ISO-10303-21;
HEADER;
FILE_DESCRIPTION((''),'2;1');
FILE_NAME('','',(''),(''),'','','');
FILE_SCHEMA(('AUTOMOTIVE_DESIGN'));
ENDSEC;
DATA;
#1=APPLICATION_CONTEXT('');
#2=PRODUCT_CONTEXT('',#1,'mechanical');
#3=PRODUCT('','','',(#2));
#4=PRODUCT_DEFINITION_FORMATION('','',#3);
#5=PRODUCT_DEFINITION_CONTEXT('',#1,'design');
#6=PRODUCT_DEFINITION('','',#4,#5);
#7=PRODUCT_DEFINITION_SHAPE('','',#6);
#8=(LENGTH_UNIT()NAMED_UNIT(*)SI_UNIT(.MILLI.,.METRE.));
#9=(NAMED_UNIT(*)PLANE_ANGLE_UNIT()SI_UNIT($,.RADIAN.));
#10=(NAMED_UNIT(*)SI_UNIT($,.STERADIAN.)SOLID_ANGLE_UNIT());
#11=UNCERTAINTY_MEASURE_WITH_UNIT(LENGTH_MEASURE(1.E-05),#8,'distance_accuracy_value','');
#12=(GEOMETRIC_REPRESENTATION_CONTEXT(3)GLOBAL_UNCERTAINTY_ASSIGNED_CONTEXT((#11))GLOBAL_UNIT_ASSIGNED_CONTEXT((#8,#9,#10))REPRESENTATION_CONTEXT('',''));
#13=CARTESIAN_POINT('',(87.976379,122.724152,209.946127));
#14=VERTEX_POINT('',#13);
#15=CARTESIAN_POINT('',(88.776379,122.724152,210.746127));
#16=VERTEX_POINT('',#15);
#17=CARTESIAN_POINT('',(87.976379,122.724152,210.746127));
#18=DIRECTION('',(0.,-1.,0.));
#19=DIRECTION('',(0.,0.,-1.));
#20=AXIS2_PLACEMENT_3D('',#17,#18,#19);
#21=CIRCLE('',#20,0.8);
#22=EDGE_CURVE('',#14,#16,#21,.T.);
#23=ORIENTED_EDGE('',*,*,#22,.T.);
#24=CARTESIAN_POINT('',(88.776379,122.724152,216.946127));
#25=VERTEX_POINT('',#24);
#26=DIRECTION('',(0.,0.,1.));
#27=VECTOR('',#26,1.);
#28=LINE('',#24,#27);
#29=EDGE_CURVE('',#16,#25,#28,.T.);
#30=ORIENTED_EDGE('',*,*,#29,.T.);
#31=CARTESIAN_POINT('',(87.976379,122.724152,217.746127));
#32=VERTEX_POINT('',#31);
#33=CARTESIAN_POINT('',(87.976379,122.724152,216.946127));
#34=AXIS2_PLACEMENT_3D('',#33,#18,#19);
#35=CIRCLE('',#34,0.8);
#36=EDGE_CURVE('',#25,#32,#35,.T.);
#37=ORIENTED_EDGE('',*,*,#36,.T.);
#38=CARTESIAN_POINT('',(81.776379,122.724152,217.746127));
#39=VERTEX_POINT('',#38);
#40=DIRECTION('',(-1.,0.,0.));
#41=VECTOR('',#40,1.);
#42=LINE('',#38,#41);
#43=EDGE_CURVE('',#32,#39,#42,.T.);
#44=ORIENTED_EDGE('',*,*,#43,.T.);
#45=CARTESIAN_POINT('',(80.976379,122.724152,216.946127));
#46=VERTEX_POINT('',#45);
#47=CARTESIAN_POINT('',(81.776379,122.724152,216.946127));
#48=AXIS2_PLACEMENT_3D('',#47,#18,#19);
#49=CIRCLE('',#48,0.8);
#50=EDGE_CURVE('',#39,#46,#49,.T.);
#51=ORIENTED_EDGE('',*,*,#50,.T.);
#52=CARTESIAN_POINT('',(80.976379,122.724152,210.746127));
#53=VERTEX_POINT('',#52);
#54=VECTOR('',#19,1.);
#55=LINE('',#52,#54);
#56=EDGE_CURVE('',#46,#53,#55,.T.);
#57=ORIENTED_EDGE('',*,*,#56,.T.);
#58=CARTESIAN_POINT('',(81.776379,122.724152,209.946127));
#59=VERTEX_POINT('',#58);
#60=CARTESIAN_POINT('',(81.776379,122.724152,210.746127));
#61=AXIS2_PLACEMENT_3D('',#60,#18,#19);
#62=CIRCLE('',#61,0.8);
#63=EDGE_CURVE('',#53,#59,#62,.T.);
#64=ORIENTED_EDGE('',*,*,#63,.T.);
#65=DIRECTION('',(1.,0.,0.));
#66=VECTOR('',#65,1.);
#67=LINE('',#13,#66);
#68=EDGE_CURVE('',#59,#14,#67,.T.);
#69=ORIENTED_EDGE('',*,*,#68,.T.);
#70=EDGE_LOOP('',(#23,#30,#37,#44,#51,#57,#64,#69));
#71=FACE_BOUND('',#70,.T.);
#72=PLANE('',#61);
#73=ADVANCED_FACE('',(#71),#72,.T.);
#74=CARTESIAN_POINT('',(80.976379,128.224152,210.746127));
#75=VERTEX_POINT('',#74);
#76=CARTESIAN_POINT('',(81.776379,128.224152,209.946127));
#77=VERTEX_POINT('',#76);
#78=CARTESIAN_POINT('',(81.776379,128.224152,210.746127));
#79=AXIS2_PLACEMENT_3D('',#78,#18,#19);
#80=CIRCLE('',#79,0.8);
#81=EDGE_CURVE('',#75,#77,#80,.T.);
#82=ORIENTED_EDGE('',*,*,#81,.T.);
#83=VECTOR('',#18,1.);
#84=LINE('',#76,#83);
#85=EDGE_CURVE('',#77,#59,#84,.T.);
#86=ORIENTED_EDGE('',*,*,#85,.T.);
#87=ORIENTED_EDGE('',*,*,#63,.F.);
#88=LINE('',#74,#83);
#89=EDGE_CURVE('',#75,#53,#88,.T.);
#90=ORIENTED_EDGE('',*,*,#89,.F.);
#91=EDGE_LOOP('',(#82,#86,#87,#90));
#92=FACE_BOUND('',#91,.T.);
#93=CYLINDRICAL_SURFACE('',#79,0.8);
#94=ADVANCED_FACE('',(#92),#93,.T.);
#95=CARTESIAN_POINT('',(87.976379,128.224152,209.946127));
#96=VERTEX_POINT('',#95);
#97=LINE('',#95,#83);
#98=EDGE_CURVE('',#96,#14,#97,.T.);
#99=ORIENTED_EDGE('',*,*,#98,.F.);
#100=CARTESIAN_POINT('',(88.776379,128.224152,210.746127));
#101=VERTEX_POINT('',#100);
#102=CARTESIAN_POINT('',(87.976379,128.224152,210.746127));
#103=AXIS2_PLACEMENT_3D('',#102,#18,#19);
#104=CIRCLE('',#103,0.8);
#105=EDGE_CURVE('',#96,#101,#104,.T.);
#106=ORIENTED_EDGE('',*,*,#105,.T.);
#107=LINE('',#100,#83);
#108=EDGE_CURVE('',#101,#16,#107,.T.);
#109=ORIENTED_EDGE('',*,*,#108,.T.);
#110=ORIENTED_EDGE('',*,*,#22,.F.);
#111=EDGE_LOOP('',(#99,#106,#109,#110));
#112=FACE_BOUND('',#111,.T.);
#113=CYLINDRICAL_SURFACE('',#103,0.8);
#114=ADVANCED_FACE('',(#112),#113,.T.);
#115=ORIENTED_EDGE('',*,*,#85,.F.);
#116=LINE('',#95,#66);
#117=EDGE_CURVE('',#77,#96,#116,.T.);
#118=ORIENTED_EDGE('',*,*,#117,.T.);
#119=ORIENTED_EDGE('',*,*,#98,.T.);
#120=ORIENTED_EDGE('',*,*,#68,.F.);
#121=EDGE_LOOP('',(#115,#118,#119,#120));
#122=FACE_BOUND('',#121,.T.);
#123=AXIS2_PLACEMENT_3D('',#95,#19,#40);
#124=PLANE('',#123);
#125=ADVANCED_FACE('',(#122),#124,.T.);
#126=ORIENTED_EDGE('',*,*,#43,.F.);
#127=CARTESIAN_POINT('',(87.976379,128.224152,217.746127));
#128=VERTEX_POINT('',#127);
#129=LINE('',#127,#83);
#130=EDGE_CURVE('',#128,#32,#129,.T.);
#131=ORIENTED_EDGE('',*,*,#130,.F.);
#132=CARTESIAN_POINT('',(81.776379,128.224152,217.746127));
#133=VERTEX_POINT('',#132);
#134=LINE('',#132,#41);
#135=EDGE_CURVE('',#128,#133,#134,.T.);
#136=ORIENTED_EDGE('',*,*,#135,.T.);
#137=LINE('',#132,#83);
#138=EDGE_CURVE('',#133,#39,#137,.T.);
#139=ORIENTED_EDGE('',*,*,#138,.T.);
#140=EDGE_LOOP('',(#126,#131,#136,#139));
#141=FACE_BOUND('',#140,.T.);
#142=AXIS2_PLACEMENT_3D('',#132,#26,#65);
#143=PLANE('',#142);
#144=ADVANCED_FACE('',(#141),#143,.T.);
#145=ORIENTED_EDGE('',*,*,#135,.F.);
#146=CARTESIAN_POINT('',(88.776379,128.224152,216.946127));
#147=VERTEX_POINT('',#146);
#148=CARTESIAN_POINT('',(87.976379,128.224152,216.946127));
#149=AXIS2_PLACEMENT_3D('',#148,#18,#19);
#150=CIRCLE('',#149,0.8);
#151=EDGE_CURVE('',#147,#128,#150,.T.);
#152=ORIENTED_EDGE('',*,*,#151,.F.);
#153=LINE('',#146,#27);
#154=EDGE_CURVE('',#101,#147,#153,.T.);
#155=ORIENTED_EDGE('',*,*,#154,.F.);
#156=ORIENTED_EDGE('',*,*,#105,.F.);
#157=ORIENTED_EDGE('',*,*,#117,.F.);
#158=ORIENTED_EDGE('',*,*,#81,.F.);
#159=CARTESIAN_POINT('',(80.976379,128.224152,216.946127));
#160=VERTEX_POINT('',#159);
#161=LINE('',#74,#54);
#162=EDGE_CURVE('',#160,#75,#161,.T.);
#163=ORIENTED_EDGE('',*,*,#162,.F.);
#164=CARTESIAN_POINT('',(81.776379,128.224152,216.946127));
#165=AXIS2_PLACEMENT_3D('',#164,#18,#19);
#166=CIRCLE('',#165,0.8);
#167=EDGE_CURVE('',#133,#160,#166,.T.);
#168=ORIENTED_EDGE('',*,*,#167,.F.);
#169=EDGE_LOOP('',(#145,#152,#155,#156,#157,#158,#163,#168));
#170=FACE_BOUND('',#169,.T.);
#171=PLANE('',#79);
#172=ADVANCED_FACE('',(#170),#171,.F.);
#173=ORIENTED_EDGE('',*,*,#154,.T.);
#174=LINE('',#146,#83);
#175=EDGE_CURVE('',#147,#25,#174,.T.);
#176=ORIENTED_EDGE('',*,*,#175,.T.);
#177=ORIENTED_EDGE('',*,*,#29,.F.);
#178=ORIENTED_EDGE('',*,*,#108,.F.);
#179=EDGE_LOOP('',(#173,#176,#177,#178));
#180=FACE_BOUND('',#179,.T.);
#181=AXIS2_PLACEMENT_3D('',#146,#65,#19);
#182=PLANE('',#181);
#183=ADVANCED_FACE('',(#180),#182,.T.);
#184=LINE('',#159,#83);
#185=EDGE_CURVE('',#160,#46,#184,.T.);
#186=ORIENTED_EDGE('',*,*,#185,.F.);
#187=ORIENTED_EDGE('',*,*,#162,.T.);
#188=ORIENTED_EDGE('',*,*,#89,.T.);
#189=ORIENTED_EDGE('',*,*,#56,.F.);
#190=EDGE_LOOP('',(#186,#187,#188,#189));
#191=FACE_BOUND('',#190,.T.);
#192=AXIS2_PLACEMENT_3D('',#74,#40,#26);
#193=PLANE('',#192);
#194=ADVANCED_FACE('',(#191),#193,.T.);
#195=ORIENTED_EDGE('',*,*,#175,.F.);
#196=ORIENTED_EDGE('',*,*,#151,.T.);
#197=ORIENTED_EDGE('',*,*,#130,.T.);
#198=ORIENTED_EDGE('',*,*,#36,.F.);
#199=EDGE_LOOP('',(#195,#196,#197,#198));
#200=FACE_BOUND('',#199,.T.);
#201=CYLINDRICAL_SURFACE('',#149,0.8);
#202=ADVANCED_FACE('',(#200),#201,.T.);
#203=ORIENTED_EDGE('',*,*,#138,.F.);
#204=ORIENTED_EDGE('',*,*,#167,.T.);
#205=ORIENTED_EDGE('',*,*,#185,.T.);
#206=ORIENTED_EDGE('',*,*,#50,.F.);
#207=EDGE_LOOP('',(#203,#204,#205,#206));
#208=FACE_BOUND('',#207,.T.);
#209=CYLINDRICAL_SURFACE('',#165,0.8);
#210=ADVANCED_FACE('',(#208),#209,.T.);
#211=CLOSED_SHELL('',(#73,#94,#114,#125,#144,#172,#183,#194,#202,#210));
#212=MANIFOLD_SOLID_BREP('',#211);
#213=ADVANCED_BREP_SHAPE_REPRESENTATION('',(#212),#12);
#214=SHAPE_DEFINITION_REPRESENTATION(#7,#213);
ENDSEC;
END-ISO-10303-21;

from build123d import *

# Parameters (mm, degrees)
BOSS_EXTRUDE1_START = 1
BOSS_EXTRUDE1_DEPTH = 5.5


with BuildPart() as part:
    # Sketch1 → Boss-Extrude1 (new body)
    with BuildSketch(Plane.XZ.offset(-123.724152422).offset(BOSS_EXTRUDE1_START)):
        with BuildLine():
            Line((80.976379089, 210.746126643), (80.976379089, 216.946126643))
            ThreePointArc((80.976379089, 216.946126643), (81.210693664, 217.511812068), (81.776379089, 217.746126643))
            Line((81.776379089, 217.746126643), (87.976379089, 217.746126643))
            ThreePointArc((87.976379089, 217.746126643), (88.542064514, 217.511812068), (88.776379089, 216.946126643))
            Line((88.776379089, 216.946126643), (88.776379089, 210.746126643))
            ThreePointArc((88.776379089, 210.746126643), (88.542064514, 210.180441218), (87.976379089, 209.946126643))
            Line((87.976379089, 209.946126643), (81.776379089, 209.946126643))
            ThreePointArc((81.776379089, 209.946126643), (81.210693664, 210.180441218), (80.976379089, 210.746126643))
        make_face()
    extrude(amount=-BOSS_EXTRUDE1_DEPTH)


solid = part.part
